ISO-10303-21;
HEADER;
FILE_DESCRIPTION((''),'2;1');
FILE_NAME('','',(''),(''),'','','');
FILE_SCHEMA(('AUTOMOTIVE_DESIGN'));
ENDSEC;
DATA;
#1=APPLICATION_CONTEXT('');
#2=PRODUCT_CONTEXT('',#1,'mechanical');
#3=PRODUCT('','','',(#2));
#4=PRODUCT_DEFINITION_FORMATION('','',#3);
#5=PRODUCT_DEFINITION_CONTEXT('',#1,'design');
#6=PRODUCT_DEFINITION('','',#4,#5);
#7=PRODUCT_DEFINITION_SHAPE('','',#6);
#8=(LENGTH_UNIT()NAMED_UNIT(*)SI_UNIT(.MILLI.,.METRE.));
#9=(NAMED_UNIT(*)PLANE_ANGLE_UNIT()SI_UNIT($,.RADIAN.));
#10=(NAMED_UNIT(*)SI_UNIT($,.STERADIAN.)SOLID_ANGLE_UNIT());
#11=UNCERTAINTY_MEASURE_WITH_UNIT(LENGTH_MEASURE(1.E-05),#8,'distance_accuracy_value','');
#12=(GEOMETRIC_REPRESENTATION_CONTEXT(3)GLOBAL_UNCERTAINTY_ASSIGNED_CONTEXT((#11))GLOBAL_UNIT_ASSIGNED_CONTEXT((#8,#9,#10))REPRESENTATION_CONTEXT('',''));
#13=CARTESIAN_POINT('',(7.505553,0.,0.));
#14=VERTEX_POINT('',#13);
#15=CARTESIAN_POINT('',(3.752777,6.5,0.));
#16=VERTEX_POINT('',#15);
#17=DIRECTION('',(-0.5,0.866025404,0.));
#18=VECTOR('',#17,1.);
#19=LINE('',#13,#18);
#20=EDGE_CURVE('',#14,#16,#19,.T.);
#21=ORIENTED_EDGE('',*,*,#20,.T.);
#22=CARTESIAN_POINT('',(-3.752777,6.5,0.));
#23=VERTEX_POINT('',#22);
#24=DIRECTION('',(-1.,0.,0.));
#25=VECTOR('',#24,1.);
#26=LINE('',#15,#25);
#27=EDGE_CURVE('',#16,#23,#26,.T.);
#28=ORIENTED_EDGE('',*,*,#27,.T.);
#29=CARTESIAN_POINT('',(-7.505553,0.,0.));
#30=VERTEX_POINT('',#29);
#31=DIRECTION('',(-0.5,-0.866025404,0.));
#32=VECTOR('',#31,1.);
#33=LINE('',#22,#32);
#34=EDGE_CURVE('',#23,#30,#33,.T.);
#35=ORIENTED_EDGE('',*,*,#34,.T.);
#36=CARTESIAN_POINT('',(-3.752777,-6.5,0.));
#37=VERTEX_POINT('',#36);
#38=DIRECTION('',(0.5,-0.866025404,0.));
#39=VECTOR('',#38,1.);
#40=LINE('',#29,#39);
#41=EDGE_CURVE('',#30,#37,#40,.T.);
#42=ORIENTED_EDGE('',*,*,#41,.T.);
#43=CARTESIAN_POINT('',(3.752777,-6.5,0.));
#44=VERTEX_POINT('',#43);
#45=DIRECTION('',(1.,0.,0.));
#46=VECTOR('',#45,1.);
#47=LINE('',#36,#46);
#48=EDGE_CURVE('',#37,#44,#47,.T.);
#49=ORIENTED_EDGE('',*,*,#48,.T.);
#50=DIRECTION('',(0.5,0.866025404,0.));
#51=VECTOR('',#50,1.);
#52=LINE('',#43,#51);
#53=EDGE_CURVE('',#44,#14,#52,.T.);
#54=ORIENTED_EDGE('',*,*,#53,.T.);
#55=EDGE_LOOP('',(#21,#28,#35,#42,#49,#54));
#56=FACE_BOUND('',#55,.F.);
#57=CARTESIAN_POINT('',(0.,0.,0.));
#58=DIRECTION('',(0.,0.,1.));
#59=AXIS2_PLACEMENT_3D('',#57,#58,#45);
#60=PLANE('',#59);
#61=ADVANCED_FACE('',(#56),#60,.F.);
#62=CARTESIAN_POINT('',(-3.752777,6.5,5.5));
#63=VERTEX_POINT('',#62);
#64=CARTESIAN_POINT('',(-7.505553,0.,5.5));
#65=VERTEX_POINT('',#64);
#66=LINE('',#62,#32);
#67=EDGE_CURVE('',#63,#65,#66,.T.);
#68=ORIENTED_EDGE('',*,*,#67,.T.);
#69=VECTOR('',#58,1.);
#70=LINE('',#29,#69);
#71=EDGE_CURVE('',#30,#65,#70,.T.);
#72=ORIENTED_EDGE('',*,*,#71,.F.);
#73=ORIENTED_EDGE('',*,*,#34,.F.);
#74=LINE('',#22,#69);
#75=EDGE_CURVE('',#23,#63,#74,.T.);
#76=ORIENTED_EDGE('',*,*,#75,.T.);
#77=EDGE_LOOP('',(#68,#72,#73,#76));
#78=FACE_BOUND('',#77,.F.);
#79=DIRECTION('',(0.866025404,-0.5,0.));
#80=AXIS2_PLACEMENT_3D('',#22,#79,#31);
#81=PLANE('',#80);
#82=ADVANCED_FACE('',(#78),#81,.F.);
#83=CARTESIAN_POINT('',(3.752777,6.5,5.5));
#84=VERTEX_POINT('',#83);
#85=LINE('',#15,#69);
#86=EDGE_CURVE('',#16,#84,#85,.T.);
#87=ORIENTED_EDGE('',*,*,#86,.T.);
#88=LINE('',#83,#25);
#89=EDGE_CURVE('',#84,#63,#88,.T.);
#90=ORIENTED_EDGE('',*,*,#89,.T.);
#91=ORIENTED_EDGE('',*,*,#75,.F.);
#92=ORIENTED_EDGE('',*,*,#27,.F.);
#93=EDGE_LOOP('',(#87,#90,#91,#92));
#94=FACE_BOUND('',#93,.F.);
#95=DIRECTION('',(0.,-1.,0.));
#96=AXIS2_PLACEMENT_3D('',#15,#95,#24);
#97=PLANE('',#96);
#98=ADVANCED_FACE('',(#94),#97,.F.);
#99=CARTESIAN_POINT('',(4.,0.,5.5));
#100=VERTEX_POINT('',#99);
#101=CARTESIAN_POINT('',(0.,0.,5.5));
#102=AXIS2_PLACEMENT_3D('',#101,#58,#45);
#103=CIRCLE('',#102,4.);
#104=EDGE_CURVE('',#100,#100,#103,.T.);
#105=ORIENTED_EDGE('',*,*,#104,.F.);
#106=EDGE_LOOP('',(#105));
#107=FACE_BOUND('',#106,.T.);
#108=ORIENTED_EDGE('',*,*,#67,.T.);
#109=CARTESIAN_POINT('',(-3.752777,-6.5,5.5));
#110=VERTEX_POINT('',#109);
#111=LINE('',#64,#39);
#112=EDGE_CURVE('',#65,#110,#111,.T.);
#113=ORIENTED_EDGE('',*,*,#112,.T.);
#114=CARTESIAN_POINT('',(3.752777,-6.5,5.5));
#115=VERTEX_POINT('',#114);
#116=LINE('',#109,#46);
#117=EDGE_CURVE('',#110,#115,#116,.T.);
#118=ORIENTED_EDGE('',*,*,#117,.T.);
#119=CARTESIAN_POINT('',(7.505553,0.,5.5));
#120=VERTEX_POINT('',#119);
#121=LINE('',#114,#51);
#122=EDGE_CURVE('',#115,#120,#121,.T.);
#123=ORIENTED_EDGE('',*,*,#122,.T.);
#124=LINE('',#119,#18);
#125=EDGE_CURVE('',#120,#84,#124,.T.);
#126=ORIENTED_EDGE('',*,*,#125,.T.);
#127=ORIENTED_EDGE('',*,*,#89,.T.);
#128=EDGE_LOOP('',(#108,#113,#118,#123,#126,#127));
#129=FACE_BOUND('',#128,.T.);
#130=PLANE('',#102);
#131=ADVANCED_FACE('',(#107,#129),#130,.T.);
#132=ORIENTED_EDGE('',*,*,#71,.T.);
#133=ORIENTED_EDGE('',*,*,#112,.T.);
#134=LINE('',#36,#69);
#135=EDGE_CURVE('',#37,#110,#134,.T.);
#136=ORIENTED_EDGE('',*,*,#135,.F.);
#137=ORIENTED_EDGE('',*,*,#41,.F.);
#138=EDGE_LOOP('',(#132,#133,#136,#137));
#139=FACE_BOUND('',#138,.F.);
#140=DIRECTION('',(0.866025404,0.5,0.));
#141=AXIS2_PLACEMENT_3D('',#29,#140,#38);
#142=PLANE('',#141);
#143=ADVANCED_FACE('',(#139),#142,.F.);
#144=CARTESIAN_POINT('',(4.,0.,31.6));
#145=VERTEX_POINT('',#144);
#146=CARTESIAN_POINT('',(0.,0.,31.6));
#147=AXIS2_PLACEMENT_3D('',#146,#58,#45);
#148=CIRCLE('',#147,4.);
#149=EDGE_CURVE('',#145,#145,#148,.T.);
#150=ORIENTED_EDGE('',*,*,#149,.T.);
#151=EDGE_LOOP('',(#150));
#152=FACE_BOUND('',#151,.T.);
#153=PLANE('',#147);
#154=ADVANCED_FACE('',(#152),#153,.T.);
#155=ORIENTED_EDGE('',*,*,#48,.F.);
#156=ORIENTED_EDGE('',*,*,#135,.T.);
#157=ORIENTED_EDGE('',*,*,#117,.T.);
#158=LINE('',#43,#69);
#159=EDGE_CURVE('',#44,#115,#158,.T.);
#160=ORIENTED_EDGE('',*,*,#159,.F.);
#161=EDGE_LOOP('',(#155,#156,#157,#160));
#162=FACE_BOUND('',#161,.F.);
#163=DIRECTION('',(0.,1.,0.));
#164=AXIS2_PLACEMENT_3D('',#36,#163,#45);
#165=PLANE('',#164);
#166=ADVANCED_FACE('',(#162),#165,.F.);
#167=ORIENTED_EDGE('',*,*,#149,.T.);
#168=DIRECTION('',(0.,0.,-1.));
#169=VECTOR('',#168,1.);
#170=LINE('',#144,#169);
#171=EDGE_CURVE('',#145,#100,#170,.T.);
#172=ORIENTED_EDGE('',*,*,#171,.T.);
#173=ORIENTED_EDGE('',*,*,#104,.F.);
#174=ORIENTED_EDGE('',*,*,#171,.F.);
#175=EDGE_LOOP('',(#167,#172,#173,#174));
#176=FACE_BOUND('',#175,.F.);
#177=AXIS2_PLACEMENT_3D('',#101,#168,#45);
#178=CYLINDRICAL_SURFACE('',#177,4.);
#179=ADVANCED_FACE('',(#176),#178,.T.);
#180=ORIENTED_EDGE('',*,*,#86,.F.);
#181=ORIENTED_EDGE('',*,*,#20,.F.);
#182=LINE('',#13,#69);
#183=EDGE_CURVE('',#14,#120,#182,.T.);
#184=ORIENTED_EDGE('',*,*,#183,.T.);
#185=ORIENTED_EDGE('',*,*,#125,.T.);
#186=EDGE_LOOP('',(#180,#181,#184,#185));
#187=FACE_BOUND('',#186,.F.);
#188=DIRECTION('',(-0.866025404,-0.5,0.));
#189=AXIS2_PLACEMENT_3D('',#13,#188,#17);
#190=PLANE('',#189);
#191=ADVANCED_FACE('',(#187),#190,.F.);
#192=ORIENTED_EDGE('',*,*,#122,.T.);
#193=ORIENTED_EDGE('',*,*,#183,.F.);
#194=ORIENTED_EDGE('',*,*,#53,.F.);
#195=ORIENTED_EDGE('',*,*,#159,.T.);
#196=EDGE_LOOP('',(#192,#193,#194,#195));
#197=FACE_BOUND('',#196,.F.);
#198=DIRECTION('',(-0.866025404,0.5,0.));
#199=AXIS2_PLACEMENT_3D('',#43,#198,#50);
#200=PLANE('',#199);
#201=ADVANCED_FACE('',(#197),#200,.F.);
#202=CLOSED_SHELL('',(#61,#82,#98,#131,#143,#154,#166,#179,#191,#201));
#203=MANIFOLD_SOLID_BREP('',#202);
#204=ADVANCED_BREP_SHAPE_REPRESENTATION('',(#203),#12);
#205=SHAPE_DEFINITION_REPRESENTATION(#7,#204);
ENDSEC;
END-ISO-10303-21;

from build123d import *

# Parameters (mm, degrees)
PAD002_DEPTH = 5.5
SKETCH005_R  = 4
PAD003_DEPTH = 26.1


with BuildPart() as part:
    # Sketch004 → Pad002 (new body)
    with BuildSketch(Plane.XY):
        Polygon((7.5055534995, 0), (3.7527767497, 6.5), (-3.7527767497, 6.5), (-7.5055534995, 0), (-3.7527767497, -6.5), (3.7527767497, -6.5), align=None)
    extrude(amount=PAD002_DEPTH)

    # Sketch005 (on Face8 of Pad002) → Pad003 (join)
    with BuildSketch(Plane.XY.offset(5.5)):
        Circle(SKETCH005_R)
    extrude(amount=PAD003_DEPTH)

    # Sketch006 → Groove (revolve, cut)
    with BuildSketch(Plane.XZ):
        Polygon((4, 31.6), (4.5, 31.6), (4, 31.1), align=None)
        Polygon((7.5055534995, 0), (6.3055534995, 0), (7.5055534995, -0.5), align=None)
        Polygon((7.5055534995, 5.5), (6.3055534995, 5.5), (7.5055534995, 6), align=None)
    revolve(axis=Axis((0, 0, 0), (0, 0, 1)), mode=Mode.SUBTRACT)


solid = part.part
